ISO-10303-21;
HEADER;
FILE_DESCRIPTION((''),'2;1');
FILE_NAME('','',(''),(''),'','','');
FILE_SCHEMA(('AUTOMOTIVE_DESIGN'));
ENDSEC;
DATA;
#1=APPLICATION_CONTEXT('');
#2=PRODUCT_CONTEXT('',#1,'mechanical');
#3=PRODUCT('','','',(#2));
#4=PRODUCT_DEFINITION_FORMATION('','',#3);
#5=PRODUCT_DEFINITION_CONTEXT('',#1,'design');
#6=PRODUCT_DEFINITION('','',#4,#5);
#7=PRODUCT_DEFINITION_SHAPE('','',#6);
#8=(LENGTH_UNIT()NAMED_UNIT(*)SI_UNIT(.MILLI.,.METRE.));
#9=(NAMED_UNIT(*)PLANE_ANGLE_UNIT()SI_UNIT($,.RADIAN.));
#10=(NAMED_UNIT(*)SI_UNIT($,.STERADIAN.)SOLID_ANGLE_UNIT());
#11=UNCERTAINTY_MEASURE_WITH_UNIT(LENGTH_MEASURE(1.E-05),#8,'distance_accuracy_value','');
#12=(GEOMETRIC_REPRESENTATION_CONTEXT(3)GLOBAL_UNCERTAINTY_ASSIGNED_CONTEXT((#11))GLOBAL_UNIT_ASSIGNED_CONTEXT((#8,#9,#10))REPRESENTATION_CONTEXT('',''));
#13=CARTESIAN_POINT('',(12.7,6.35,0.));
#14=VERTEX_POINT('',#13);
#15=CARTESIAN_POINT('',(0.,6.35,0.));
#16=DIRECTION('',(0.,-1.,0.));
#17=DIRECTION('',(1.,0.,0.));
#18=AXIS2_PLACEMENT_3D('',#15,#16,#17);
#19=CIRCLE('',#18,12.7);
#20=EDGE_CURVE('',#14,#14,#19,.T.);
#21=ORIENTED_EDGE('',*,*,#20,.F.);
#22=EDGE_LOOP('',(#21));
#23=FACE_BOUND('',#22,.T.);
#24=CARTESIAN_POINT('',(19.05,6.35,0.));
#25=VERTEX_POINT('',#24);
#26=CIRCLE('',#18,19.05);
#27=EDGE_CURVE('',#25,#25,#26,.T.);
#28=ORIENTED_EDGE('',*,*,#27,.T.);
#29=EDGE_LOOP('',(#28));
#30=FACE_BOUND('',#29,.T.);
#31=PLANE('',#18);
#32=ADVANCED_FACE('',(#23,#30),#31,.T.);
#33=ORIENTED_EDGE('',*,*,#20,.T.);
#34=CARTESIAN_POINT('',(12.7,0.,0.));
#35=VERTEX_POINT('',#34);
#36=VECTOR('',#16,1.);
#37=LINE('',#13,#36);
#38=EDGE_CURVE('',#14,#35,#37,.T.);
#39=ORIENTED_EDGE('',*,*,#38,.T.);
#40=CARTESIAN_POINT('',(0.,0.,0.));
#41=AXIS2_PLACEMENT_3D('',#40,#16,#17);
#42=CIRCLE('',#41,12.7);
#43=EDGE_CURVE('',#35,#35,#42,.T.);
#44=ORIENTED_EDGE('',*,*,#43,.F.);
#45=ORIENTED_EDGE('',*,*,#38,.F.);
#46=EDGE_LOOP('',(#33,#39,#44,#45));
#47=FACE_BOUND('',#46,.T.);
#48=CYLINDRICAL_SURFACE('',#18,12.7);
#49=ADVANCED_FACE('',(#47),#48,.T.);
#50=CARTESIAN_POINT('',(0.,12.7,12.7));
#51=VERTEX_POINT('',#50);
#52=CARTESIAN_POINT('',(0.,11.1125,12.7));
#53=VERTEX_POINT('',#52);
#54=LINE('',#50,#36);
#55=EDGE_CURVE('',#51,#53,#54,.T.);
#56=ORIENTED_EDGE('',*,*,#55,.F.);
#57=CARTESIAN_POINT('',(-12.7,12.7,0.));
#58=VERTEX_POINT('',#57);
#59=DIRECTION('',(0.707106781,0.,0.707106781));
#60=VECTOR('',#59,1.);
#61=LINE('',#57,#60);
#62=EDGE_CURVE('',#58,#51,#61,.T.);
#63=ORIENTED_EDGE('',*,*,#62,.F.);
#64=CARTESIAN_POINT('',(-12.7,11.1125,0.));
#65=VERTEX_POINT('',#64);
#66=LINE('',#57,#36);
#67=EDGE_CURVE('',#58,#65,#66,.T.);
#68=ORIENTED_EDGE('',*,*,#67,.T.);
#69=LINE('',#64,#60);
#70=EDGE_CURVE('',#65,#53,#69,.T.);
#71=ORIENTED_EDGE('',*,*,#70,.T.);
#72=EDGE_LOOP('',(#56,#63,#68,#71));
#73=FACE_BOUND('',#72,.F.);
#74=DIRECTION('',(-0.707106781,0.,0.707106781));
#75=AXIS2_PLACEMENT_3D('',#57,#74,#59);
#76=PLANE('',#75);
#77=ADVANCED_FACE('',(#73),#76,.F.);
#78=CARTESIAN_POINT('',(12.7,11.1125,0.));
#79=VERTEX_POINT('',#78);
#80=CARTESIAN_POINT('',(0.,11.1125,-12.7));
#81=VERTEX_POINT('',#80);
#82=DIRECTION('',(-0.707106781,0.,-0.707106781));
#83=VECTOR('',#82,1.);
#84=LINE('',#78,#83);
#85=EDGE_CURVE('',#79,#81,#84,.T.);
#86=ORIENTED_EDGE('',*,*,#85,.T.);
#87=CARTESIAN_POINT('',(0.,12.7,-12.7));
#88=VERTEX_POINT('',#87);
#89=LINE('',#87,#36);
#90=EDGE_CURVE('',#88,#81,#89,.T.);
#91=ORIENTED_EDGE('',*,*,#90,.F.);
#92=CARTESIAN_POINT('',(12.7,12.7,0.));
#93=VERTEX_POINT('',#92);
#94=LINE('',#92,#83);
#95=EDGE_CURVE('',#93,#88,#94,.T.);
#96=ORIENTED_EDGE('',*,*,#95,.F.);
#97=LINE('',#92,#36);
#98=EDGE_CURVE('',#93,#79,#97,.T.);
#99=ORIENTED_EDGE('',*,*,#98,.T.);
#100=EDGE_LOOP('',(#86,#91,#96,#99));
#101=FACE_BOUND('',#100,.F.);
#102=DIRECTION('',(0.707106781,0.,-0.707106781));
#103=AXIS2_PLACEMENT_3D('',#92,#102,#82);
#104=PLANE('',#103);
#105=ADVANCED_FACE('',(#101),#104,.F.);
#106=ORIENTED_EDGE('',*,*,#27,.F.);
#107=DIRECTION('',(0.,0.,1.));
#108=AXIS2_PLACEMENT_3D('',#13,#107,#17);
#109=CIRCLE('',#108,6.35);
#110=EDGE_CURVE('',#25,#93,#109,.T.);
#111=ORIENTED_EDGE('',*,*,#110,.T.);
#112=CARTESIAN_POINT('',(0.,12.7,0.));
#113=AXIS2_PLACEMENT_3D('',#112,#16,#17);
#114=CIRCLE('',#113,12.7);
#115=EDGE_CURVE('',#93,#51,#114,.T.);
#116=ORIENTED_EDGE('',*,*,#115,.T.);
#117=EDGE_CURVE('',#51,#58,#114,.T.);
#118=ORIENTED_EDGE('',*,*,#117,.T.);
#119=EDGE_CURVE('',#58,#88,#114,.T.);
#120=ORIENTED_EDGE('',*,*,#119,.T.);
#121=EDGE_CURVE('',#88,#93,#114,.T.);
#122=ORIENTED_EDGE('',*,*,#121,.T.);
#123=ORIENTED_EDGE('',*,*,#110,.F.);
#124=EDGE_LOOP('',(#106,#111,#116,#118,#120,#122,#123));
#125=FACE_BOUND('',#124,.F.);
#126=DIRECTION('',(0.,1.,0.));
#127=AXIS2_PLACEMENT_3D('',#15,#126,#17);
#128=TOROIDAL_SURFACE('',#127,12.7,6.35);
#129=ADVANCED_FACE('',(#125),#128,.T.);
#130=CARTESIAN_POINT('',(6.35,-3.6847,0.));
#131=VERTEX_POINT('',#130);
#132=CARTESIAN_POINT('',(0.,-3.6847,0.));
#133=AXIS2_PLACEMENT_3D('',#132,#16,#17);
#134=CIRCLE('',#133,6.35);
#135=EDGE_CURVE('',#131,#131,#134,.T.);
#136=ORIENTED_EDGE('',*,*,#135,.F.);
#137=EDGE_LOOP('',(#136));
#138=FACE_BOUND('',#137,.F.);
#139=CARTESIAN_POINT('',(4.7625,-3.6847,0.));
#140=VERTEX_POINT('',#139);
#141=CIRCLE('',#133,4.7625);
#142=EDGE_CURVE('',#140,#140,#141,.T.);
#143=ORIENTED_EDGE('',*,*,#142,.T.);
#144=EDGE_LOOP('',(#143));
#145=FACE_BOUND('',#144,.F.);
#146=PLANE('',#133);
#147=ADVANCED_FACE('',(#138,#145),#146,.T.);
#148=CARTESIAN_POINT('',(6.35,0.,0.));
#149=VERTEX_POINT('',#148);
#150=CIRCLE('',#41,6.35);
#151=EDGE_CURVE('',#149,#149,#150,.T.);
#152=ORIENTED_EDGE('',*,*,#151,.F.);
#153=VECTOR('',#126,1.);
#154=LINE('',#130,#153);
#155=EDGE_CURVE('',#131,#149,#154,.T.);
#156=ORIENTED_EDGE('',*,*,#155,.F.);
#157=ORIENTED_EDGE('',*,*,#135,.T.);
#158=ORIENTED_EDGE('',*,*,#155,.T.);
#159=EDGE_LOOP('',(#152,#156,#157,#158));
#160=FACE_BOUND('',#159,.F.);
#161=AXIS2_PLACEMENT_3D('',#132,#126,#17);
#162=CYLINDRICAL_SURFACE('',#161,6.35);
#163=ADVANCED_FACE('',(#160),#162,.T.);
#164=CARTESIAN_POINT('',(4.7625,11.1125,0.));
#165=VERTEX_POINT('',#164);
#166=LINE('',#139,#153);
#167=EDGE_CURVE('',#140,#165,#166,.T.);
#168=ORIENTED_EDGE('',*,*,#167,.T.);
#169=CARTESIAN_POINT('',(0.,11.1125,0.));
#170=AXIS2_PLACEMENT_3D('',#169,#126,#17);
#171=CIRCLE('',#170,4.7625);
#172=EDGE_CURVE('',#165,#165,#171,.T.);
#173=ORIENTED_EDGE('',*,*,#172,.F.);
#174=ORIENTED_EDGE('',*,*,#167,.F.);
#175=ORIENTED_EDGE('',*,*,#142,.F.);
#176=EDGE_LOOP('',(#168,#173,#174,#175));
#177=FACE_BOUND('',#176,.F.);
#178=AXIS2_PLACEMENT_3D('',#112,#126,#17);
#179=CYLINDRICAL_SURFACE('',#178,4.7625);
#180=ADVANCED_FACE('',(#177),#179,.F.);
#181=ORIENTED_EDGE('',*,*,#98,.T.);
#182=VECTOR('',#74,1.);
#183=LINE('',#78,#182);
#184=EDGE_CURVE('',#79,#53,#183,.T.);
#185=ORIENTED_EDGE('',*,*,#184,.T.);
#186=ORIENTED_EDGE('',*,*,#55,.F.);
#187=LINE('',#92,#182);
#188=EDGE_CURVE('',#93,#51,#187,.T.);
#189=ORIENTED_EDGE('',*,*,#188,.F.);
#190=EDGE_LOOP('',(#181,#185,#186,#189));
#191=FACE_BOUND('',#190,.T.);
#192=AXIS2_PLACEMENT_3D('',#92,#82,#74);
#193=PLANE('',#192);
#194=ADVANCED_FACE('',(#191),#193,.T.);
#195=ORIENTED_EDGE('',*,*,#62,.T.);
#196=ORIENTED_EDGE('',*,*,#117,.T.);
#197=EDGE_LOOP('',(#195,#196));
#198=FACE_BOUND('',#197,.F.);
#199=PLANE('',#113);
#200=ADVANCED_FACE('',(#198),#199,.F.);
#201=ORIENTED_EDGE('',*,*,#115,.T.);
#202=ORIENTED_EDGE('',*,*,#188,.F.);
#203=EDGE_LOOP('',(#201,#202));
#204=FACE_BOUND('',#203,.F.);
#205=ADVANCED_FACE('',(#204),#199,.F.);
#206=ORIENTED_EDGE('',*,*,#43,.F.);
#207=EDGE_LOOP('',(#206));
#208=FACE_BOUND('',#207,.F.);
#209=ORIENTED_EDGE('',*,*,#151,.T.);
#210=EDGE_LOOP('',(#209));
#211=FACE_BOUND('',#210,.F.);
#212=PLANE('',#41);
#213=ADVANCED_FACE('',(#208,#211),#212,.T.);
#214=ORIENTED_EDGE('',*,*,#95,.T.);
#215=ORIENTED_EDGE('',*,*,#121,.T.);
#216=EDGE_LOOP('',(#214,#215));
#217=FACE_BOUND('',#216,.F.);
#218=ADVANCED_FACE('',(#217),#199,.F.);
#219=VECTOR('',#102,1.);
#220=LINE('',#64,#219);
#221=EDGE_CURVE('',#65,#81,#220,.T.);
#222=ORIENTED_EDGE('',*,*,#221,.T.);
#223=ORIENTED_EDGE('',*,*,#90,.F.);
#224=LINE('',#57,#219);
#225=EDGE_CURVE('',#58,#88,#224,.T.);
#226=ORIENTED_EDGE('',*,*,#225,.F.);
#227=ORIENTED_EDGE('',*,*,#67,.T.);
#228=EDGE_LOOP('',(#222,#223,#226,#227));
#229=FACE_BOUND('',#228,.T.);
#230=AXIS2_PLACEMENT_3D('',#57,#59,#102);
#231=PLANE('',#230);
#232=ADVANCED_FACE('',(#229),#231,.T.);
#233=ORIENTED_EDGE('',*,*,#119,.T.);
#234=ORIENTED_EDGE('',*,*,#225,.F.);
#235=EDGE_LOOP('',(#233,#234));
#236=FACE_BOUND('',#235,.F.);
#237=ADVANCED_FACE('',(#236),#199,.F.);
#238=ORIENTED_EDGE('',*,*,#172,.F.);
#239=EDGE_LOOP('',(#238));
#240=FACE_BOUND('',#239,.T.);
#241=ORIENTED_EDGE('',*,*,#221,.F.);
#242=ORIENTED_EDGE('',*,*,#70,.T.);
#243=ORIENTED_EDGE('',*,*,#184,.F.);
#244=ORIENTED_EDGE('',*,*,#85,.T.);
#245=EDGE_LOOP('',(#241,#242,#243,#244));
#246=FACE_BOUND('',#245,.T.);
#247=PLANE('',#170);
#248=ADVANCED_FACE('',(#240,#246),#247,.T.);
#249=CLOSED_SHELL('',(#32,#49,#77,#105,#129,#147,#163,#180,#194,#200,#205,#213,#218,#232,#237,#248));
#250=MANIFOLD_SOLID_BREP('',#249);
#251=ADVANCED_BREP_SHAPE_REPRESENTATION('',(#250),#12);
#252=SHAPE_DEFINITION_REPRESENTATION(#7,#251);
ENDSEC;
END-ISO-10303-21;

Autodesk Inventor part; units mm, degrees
ref_plane "YZ Plane" through (0, 0, 0) normal (1, 0, 0) x (0, 1, 0)
ref_plane "XZ Plane" through (0, 0, 0) normal (0, 1, 0) x (-1, 0, 0)
ref_plane "XY Plane" through (0, 0, 0) normal (0, 0, 1) x (1, 0, 0)
sketch "Sketch2" plane through (0, 0, 0) normal (0, 0, 1) x (1, 0, 0)
  line L0 (0, 0) -> (19.05, 0)
  line L1 (19.05, 0) -> (19.05, 6.35)
  line L2 (12.7, 12.7) -> (0, 12.7)
  line L3 (0, 12.7) -> (0, 0)
  arc A0 (19.05, 6.35) -> (12.7, 12.7) centre (12.7, 6.35) ccw
  line L4 (19.05, 6.35) -> (12.7, 6.35)
  line L5 (12.7, 6.35) -> (12.7, 0)
  line L6 (4.7625, 0) -> (4.7625, -3.6847)
  line L7 (4.7625, -3.6847) -> (6.35, -3.6847)
  line L8 (6.35, -3.6847) -> (6.35, 0)
  dimension "d8" = 6.35
  dimension "d9" = 12.7
  dimension "d10" = 19.05
  dimension "d11" = 7.9375
  dimension "d12" = 1.5875
revolve "Revolution1" add sketch "Sketch2" angle 360 about axis through (0, 12.7, 0) along (0, -1, 0) contours L3 L2 A0 L4 L5 L0 | L0 L8 L7 L6
sketch "Sketch3" plane through (0, 12.7, 0) normal (0, 1, 0) x (1, 0, 0)
  circle A0 centre (0, 0) radius 4.7625
  dimension "d14" = 9.525
extrude "Extrusion1" cut sketch "Sketch3" against normal through all
sketch "Sketch4" plane through (0, 12.7, 0) normal (0, 1, 0) x (1, 0, 0)
  circle A0 centre (0, 0) radius 12.7 projected
  line L0 (-12.7, 0) -> (0, 12.7)
  line L1 (12.7, 0) -> (0, 12.7)
  line L2 (12.7, 0) -> (0, -12.7)
  line L3 (-12.7, 0) -> (0, -12.7)
extrude "Extrusion2" cut sketch "Sketch4" against normal blind 1.5875 contours L2 L3 L0 L1
equation "\"d15\" = d14"
properties part number "sleeve_support"
